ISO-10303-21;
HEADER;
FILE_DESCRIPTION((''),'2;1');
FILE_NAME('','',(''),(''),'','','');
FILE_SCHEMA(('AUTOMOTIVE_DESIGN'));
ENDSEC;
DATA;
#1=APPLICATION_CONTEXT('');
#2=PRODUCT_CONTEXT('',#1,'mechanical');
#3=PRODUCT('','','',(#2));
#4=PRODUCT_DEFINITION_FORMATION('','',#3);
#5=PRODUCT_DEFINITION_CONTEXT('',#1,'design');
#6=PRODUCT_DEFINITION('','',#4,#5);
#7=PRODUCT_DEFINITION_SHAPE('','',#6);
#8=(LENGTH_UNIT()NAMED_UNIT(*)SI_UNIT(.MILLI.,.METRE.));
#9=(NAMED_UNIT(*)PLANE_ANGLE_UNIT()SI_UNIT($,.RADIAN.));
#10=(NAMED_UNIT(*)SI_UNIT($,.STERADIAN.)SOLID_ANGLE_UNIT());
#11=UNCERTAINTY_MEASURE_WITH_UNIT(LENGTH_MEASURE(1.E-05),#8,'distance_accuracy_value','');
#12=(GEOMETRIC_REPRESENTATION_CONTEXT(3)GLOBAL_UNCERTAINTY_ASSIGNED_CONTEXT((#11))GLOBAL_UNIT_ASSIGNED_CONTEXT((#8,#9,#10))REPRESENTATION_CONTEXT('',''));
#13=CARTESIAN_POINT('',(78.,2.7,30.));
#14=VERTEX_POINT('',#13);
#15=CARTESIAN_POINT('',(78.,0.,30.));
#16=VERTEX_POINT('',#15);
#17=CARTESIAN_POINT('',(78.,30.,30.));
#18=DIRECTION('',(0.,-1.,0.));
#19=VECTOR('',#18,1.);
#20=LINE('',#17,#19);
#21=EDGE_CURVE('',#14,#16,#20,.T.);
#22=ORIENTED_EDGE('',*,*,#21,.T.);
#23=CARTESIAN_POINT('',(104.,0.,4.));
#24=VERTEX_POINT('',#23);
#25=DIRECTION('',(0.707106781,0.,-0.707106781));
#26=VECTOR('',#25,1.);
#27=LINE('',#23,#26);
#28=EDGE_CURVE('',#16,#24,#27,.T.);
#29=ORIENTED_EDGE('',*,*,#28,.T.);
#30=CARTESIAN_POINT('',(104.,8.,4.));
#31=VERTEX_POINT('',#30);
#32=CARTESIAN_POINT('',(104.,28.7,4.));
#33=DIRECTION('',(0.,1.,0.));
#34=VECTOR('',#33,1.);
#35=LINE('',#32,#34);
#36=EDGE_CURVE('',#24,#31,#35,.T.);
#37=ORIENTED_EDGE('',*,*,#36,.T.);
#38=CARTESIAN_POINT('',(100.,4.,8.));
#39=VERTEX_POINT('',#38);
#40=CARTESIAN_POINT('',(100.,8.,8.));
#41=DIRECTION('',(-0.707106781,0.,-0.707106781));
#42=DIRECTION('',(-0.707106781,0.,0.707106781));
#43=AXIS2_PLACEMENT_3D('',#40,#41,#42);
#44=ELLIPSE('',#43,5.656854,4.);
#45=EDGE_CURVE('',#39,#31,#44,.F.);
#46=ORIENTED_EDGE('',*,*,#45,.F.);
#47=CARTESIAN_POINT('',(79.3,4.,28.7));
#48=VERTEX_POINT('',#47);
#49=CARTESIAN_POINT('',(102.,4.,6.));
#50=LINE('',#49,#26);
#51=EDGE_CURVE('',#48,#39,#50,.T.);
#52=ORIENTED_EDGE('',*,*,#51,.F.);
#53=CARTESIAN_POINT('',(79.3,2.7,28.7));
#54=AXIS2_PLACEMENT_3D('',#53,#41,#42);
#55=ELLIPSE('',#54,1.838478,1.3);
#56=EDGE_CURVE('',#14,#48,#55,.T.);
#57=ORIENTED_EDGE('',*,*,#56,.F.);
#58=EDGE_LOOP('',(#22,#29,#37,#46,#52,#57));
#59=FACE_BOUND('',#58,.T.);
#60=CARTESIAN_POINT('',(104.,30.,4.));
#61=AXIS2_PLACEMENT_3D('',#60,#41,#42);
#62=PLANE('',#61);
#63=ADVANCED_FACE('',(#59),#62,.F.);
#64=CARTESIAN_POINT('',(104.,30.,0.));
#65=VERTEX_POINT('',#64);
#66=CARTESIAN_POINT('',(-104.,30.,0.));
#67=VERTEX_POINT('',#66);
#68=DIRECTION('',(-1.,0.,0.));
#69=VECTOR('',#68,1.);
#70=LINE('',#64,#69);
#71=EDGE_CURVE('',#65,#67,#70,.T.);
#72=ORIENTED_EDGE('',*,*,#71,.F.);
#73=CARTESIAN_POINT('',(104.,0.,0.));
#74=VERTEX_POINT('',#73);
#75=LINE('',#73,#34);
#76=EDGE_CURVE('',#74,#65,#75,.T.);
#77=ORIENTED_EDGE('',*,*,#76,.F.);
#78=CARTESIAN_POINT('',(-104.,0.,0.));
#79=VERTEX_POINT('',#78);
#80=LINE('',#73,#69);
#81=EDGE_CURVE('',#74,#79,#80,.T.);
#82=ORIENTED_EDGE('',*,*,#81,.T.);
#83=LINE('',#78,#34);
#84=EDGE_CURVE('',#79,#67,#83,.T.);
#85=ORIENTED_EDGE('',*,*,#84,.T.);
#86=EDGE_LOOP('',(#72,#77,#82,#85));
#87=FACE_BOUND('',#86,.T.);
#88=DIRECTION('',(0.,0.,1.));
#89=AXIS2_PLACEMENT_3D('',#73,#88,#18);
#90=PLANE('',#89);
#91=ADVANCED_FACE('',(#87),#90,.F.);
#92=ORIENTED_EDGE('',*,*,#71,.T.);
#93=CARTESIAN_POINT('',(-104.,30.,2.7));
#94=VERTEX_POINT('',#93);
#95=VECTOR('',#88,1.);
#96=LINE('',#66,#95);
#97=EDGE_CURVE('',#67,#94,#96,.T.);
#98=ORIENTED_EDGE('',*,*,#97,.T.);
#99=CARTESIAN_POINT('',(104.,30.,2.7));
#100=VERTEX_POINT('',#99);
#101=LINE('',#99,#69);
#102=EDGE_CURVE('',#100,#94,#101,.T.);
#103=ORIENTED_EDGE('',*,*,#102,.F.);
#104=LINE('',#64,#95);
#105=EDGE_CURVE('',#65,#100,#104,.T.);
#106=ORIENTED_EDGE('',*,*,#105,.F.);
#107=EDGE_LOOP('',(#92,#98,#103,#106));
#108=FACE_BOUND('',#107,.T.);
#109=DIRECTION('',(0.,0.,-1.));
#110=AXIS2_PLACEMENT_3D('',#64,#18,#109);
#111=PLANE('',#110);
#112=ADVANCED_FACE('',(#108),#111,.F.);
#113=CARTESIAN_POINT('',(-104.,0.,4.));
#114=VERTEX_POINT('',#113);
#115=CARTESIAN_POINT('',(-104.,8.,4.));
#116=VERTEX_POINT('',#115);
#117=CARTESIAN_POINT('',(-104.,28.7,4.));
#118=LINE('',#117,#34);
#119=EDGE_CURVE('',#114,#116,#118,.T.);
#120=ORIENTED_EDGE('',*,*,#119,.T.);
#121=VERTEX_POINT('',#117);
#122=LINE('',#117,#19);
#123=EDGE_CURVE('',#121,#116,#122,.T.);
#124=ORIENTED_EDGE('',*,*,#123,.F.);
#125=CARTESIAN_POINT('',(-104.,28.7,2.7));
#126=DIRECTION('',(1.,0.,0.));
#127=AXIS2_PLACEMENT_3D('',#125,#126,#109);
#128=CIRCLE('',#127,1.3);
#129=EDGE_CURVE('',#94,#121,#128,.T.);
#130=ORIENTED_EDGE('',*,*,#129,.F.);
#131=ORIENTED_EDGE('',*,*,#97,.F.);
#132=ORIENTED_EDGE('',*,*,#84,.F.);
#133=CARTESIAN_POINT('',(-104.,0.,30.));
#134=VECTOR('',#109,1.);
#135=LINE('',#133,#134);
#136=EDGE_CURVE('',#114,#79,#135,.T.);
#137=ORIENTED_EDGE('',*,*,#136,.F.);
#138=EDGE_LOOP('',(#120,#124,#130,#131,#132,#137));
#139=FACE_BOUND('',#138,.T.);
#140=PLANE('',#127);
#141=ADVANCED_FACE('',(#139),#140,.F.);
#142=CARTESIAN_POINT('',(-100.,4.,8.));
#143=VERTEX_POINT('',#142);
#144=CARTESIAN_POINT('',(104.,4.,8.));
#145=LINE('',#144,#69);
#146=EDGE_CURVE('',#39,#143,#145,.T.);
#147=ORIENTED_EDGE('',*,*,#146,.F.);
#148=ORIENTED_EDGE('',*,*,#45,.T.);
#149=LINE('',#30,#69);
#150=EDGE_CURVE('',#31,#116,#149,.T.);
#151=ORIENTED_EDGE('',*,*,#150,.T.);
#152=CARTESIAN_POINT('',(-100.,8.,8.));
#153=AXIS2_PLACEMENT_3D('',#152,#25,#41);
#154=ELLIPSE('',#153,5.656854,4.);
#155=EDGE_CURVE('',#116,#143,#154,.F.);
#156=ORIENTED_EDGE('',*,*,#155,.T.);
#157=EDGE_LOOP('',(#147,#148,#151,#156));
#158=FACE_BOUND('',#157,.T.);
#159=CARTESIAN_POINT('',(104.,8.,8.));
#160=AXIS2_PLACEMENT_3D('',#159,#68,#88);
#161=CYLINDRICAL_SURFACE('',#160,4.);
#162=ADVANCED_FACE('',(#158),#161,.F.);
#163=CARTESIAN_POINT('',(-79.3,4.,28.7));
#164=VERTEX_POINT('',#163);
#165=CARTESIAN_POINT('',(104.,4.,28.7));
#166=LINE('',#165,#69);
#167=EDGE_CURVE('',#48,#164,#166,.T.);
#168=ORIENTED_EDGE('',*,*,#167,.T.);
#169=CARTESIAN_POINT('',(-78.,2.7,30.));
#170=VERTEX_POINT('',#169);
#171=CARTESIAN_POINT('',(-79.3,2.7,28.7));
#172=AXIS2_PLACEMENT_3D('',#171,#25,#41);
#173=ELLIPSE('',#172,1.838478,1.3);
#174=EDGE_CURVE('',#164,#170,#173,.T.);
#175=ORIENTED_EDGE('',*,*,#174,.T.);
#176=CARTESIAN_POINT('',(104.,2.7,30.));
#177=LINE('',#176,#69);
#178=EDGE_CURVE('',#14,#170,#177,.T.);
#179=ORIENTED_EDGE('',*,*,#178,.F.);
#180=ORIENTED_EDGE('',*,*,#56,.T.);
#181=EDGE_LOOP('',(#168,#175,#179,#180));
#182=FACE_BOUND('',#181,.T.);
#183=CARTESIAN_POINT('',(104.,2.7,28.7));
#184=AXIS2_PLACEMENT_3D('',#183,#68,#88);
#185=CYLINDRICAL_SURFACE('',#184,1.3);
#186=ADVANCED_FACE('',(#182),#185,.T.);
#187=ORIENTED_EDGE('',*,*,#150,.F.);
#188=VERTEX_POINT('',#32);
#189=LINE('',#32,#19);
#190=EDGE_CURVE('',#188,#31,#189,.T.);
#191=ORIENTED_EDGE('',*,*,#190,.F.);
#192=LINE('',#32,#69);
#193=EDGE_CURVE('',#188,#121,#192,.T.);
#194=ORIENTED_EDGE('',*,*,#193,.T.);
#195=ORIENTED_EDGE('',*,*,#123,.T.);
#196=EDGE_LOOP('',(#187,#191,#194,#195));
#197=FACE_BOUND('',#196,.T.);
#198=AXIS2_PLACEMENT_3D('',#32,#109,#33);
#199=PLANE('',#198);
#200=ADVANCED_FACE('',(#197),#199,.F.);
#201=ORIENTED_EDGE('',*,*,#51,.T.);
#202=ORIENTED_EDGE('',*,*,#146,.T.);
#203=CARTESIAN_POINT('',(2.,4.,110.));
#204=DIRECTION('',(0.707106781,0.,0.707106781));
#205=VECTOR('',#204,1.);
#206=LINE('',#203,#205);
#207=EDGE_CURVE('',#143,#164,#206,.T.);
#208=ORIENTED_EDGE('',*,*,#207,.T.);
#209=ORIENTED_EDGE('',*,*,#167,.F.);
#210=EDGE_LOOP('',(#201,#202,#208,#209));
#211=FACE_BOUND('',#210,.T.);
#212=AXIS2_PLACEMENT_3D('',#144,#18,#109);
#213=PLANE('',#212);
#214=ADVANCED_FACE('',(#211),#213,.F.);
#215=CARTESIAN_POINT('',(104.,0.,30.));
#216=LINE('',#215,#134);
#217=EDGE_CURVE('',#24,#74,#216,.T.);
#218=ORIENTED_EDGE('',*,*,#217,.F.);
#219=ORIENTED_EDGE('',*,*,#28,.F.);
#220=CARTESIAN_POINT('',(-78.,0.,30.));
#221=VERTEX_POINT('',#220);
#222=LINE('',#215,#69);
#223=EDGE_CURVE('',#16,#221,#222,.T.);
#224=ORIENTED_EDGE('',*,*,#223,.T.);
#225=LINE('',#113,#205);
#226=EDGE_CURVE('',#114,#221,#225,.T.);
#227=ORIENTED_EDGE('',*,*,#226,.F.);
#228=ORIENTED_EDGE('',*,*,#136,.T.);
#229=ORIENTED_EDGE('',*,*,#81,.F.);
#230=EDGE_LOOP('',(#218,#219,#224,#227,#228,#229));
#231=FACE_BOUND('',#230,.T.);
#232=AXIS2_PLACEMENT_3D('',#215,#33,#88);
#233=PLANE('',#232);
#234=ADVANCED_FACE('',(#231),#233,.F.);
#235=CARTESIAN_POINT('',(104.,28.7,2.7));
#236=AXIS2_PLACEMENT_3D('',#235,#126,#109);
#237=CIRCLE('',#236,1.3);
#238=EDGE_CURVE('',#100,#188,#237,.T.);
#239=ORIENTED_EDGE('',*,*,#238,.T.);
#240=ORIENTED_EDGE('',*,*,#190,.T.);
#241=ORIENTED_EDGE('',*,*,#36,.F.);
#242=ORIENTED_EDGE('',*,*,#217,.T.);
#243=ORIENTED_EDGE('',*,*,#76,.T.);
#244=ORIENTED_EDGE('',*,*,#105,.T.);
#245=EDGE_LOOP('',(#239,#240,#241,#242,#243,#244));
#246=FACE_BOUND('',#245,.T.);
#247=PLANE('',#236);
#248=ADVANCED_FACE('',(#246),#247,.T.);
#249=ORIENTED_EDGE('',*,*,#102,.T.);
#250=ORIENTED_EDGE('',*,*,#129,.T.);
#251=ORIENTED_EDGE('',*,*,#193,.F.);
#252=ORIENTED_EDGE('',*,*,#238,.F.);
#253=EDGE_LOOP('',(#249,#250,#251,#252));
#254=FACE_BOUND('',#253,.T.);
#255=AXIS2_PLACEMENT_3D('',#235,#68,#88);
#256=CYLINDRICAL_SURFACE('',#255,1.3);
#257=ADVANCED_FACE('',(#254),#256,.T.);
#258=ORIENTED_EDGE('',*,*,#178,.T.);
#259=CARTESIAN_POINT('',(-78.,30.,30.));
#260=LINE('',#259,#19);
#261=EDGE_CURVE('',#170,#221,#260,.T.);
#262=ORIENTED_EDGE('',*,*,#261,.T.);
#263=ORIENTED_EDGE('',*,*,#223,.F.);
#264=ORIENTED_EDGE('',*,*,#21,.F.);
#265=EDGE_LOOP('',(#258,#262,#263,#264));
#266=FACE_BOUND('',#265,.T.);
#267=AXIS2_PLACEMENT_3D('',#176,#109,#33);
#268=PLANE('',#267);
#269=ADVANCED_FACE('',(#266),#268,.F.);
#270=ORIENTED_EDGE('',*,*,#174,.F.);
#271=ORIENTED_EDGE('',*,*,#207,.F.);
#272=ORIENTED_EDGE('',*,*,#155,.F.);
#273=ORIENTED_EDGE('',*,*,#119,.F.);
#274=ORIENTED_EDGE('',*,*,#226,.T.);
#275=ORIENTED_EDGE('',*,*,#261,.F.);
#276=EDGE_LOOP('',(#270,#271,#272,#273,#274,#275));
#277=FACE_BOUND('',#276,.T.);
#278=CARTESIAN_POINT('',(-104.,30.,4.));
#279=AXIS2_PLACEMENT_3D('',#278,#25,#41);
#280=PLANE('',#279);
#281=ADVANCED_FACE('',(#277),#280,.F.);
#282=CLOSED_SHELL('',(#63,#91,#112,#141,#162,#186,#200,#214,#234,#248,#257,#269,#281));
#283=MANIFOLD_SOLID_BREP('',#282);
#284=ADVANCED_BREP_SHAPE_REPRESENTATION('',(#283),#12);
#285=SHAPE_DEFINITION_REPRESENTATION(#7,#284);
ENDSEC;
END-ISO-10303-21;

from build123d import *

# Parameters (mm, degrees)
EXTRUDE_1_DEPTH     = 104
CUT_EXTRUDE_1_DEPTH = 113.320968657


with BuildPart() as part:
    # Эскиз1 → Бобышка-Вытянуть1 (new, symmetric)
    with BuildSketch(Plane(origin=(0, 0, 0), x_dir=(0, 0, -1), z_dir=(1, 0, 0))):
        with BuildLine():
            Line((0, 0), (0, 30))
            Line((0, 30), (-2.7, 30))
            ThreePointArc((-2.7, 30), (-3.619238816, 29.619238816), (-4, 28.7))
            Line((-4, 28.7), (-4, 8))
            ThreePointArc((-4, 8), (-5.171572875, 5.171572875), (-8, 4))
            Line((-8, 4), (-28.7, 4))
            ThreePointArc((-28.7, 4), (-29.619238816, 3.619238816), (-30, 2.7))
            Line((-30, 2.7), (-30, 0))
            Line((-30, 0), (0, 0))
        make_face()
    extrude(amount=EXTRUDE_1_DEPTH, both=True)

    # Эскиз2 → Вырез-Вытянуть1 (cut, through all)
    with BuildSketch(Plane.XZ):
        Polygon((-104, 4), (-78, 30), (-104, 30), align=None)
        Polygon((104, 4), (78, 30), (104, 30), align=None)
    extrude(amount=-CUT_EXTRUDE_1_DEPTH, mode=Mode.SUBTRACT)


solid = part.part
